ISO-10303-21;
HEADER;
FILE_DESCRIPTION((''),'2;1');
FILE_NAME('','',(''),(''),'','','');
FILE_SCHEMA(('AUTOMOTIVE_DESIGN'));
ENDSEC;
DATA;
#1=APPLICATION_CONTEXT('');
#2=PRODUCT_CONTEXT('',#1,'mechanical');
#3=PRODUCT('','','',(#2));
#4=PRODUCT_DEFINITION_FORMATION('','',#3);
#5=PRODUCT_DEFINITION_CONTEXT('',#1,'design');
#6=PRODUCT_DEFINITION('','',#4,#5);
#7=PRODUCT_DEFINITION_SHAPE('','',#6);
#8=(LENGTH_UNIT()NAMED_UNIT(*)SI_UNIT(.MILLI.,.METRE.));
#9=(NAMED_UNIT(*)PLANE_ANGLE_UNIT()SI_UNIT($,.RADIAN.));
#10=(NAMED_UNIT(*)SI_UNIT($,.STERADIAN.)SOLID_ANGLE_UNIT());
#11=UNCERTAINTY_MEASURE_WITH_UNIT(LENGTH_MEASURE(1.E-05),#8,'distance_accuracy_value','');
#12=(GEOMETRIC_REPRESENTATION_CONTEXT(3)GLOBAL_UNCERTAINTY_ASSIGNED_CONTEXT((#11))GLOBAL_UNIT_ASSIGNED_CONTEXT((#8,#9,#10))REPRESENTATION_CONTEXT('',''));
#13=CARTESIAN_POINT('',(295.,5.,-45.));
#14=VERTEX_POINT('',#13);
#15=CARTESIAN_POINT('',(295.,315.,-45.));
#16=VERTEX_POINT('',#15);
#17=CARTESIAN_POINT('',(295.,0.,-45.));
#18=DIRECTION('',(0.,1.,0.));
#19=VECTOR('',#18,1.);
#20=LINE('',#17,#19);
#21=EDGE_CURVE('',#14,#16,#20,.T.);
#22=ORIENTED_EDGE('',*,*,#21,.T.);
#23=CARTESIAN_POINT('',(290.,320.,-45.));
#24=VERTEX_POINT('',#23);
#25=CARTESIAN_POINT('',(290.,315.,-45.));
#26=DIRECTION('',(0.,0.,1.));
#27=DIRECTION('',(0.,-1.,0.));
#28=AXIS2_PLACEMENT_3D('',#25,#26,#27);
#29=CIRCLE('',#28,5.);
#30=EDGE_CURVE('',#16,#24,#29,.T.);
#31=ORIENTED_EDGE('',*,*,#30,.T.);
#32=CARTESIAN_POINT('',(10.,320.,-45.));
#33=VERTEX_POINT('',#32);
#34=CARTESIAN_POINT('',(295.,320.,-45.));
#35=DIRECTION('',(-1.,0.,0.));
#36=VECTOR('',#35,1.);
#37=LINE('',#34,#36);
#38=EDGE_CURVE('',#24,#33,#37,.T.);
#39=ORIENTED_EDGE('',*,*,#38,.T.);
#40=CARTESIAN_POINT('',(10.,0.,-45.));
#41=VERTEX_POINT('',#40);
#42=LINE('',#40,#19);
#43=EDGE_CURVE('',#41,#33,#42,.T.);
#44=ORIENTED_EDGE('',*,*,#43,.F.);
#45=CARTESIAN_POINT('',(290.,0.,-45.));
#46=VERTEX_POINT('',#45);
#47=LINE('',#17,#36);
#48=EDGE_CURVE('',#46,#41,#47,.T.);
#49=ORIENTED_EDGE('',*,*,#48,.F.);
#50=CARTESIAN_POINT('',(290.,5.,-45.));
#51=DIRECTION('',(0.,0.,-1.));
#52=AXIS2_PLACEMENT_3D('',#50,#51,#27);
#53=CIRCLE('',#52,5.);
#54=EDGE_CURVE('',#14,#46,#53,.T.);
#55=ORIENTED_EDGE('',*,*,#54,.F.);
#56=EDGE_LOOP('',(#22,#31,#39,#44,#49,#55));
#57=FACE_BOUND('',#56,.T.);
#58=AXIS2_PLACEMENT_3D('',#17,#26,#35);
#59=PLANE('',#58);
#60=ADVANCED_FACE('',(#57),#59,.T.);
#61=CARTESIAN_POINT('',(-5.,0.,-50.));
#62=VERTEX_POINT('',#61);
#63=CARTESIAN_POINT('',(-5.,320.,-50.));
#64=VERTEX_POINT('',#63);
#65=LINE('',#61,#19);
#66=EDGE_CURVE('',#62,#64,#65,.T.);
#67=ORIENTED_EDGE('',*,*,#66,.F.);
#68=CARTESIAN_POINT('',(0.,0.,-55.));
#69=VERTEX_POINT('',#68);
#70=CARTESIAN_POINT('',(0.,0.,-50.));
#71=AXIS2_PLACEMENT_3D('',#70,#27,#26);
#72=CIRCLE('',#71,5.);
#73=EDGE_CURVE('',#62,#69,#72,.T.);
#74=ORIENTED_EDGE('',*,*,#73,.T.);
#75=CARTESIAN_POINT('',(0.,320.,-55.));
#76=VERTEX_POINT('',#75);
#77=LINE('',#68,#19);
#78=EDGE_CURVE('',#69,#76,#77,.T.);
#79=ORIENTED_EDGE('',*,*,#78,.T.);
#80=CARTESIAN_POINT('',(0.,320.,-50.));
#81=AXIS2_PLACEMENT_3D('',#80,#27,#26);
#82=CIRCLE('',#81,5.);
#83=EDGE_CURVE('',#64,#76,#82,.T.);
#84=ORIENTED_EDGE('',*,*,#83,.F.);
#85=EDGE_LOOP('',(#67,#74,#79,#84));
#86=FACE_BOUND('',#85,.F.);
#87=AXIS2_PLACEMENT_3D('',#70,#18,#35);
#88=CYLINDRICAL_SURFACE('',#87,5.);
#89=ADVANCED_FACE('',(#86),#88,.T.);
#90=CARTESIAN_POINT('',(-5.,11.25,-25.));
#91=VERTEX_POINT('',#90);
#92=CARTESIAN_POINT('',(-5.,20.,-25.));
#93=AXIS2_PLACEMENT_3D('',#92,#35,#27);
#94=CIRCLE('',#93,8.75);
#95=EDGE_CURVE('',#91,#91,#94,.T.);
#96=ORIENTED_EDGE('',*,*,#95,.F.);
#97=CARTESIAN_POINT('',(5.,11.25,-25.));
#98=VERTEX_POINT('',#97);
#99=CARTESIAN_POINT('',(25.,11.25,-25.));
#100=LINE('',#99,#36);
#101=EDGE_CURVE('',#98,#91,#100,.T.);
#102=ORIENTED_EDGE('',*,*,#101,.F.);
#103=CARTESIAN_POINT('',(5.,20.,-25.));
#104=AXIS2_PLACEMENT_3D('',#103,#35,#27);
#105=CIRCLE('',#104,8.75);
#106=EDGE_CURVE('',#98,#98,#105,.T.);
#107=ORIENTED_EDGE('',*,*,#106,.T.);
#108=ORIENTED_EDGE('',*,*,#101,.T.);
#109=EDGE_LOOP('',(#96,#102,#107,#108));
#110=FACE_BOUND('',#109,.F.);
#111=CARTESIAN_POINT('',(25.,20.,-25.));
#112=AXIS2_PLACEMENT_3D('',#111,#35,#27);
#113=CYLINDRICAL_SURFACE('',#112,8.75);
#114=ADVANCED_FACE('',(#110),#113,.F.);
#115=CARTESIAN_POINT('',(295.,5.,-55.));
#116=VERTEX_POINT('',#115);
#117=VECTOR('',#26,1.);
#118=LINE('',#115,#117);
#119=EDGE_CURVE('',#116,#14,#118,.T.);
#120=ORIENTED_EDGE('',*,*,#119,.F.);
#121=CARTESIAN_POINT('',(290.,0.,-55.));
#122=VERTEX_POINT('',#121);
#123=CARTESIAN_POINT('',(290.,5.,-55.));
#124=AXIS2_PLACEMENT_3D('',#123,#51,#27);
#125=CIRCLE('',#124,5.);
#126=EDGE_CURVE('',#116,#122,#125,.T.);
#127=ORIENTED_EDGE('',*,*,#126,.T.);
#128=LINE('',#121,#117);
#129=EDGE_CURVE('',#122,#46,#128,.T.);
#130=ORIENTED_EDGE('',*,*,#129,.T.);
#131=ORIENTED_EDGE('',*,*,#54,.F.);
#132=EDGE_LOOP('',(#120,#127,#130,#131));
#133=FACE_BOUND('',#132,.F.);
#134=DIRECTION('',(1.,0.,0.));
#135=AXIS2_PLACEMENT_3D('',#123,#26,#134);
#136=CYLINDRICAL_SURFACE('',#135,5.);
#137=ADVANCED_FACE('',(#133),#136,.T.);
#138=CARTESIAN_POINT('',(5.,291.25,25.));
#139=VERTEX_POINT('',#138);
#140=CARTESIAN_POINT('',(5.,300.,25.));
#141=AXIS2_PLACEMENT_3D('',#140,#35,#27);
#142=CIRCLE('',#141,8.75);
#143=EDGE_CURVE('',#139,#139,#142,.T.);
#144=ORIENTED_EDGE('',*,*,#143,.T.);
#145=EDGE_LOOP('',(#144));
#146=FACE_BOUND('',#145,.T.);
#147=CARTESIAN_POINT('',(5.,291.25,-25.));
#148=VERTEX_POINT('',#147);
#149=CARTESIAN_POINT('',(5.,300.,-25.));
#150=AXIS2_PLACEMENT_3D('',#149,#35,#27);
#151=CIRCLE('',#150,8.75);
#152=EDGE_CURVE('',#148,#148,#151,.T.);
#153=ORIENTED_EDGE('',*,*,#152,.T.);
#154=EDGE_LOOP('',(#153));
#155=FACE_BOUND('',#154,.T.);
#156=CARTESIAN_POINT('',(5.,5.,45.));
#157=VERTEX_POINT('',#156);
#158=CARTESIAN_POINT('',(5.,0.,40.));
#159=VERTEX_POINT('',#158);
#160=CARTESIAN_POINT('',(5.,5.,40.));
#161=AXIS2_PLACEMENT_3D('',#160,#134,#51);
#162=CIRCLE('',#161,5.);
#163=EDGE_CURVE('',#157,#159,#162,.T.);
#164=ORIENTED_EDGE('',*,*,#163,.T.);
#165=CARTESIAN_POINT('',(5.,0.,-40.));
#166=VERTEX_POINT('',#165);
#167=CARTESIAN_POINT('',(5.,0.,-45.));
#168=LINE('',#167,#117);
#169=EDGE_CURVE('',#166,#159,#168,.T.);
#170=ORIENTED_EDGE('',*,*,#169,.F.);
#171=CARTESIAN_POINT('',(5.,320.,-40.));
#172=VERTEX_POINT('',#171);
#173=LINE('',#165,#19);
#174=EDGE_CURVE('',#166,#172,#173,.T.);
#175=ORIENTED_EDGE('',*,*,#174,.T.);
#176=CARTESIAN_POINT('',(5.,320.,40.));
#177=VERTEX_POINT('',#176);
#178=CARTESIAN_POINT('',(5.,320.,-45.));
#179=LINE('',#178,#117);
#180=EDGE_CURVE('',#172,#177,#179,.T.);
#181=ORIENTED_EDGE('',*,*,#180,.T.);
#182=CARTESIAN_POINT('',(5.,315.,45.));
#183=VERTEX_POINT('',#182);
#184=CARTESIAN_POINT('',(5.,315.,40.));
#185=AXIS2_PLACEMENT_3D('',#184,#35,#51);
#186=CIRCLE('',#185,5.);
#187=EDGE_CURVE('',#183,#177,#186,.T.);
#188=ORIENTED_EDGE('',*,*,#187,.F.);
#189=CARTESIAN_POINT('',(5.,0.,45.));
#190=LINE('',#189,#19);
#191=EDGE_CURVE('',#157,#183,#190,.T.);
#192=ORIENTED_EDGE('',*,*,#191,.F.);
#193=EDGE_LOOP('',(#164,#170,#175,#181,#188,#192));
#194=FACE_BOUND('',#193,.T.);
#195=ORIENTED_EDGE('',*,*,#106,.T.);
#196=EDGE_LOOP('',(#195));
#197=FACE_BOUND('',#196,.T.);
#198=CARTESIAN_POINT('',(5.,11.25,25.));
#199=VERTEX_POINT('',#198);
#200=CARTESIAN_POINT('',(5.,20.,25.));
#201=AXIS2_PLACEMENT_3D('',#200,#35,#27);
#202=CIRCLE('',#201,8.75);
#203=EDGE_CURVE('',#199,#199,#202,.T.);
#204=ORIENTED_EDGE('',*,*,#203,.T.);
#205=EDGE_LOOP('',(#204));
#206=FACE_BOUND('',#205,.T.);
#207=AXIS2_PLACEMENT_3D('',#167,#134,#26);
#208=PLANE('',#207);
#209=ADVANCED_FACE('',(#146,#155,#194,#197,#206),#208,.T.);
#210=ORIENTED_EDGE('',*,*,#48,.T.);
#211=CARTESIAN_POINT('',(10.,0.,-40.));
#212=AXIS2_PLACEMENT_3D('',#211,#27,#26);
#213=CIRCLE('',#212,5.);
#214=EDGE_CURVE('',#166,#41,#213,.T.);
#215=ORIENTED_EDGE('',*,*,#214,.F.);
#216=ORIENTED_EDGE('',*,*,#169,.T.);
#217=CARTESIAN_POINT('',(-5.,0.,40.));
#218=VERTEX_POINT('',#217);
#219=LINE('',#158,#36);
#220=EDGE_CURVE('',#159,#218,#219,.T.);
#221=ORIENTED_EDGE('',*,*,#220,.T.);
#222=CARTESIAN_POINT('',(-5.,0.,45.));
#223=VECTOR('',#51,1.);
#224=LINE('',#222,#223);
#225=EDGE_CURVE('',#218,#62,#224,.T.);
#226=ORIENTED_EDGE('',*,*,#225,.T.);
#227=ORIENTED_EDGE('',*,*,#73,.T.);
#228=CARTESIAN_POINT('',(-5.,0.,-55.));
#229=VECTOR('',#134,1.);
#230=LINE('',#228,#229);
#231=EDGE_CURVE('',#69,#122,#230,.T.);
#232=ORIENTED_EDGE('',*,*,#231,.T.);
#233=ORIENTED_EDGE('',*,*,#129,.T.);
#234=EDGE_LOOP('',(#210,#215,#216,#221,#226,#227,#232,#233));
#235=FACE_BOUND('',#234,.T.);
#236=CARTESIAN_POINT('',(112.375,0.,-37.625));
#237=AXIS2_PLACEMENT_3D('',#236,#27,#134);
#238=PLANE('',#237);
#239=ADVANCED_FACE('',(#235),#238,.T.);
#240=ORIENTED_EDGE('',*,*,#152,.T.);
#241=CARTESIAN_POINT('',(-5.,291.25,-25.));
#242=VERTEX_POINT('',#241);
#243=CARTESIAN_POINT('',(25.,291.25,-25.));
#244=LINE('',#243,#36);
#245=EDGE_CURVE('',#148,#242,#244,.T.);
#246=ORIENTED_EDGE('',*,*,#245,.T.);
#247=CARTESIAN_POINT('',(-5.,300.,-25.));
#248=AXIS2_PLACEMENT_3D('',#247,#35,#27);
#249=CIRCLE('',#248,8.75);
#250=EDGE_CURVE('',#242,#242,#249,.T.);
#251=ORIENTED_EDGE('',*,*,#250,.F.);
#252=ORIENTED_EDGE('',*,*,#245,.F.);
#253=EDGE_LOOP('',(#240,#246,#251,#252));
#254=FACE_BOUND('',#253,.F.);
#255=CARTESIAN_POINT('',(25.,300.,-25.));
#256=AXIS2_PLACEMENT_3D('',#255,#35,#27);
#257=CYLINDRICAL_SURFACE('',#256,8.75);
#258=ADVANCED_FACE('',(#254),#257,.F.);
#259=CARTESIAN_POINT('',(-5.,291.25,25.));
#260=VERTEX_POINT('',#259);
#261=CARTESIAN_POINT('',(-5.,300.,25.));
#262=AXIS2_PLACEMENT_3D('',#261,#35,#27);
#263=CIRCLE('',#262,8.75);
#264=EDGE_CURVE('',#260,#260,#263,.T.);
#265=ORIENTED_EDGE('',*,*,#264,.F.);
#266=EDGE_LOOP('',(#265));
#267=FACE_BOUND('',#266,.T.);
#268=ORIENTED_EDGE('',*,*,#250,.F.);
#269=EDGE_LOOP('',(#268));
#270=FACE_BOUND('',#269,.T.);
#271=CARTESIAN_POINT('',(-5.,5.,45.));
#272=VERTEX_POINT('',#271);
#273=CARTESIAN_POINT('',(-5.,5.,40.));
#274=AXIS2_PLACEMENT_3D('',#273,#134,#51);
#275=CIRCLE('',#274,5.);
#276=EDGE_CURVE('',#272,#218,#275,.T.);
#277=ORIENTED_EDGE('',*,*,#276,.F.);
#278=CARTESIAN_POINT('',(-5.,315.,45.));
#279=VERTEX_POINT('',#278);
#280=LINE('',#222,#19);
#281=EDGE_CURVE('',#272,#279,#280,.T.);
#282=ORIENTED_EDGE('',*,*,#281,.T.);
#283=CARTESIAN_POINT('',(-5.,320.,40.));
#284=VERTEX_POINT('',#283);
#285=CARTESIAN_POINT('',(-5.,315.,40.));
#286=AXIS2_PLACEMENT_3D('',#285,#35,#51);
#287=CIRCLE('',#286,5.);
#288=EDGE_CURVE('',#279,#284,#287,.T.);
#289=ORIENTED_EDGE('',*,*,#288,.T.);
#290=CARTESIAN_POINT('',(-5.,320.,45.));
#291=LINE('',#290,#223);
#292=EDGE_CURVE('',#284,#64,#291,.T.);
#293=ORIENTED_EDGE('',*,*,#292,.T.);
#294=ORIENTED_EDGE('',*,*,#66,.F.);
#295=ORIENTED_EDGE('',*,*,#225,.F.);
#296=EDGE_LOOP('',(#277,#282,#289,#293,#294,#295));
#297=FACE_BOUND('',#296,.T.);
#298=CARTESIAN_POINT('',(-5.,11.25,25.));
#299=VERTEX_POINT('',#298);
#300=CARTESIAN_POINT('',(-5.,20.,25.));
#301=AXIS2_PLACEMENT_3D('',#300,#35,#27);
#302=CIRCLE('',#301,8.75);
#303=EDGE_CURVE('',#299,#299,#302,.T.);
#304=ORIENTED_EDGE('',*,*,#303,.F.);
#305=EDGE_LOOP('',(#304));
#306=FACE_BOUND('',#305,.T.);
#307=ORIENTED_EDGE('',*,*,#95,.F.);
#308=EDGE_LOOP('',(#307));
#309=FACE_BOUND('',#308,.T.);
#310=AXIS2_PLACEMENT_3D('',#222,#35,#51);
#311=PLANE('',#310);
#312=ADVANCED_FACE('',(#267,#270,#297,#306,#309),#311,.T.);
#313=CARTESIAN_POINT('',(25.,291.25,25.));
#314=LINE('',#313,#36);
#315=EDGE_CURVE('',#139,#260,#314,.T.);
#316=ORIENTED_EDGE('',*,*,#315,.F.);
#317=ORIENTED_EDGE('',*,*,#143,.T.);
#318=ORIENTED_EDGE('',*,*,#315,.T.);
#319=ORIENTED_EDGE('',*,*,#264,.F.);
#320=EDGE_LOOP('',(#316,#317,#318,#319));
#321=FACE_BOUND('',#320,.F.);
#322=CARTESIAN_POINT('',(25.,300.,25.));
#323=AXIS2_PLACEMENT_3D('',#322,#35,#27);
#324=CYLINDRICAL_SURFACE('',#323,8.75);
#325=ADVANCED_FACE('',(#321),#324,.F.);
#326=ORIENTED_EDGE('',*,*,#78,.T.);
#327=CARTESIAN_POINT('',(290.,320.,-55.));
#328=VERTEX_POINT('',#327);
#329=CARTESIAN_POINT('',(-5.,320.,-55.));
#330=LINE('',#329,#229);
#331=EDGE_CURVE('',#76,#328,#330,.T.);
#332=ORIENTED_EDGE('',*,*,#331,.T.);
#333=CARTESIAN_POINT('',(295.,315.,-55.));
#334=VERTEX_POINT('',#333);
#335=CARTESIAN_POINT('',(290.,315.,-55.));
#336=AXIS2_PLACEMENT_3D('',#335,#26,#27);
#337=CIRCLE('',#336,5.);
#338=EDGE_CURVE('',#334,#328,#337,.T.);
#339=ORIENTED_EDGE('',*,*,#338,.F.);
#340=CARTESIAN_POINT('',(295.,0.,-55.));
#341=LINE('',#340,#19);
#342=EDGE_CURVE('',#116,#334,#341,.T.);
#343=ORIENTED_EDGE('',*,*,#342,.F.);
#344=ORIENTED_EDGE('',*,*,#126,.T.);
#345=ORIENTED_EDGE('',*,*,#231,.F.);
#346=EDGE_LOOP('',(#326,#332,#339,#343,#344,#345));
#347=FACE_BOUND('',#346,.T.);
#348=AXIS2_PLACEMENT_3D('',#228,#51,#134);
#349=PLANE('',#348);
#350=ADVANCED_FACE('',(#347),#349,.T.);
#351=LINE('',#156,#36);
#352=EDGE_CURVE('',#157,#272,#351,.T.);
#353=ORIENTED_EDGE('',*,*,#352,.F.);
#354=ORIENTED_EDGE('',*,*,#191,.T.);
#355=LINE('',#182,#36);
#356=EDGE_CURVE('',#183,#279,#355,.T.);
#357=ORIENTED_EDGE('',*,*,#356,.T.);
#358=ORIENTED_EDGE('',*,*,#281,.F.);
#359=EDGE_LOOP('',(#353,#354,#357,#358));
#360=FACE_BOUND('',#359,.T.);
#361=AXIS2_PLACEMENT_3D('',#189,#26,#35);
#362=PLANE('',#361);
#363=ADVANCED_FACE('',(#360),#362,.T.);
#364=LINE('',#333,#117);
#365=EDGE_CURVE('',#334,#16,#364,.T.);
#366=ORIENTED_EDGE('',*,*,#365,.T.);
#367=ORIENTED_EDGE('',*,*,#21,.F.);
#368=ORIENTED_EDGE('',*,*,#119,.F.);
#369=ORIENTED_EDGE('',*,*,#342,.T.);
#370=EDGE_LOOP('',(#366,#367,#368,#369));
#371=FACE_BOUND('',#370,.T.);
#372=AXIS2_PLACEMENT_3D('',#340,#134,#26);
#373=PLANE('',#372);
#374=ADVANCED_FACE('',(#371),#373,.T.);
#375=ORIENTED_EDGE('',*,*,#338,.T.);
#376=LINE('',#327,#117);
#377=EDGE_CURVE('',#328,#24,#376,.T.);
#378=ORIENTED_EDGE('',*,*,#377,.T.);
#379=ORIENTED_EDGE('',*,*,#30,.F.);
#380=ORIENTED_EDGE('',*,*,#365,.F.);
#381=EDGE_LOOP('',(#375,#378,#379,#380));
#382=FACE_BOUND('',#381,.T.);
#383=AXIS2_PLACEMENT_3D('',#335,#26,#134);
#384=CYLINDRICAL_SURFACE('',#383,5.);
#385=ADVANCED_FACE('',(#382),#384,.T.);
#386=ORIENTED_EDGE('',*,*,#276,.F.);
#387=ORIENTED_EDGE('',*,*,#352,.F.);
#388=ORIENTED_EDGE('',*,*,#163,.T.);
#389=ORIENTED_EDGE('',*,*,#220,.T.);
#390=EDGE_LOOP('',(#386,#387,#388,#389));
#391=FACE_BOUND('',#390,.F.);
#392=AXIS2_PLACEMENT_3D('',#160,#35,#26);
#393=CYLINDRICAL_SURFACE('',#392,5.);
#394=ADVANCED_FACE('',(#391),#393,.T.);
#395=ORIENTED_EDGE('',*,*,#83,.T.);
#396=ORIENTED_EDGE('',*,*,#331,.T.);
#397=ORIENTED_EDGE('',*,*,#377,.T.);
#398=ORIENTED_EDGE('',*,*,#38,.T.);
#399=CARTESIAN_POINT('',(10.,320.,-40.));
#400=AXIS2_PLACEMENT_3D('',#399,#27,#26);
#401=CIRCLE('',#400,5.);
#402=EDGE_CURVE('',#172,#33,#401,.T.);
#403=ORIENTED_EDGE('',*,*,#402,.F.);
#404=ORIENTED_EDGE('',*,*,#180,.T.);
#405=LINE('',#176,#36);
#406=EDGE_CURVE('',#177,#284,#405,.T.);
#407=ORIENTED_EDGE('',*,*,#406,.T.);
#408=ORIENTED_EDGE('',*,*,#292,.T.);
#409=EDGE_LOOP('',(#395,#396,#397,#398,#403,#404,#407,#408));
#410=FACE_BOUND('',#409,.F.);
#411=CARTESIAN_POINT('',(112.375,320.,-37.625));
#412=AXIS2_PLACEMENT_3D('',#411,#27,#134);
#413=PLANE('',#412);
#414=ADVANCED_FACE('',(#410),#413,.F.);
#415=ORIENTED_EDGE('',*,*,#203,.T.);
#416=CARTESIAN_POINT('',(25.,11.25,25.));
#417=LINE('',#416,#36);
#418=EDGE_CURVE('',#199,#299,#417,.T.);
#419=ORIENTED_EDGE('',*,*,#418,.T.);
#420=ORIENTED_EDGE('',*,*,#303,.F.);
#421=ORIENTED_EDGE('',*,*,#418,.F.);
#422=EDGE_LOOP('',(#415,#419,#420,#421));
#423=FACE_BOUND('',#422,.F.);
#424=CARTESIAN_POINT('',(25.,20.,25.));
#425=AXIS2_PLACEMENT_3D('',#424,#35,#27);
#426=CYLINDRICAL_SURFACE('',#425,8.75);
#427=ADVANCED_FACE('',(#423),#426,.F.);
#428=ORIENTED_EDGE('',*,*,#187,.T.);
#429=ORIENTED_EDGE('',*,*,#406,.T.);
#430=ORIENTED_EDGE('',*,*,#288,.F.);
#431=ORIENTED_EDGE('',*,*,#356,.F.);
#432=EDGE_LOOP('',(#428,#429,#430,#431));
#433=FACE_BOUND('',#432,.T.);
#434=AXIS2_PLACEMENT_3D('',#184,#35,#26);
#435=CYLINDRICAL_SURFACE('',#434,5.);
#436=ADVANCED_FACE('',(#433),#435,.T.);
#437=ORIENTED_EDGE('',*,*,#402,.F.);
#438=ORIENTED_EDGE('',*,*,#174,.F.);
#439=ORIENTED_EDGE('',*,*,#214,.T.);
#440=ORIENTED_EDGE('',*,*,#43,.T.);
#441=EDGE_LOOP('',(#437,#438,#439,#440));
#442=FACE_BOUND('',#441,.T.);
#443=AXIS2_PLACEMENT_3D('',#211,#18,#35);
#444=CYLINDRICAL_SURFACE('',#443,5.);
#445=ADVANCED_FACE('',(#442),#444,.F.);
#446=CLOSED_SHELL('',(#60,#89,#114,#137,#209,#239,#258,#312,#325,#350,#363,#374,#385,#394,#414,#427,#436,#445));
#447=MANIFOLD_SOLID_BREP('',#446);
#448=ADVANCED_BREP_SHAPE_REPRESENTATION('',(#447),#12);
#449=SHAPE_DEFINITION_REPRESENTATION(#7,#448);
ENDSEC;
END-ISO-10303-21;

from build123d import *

# Parameters (mm, degrees)
F1_DEPTH = 320
F2_R     = 5
F4_D     = 17.5
F4_DEPTH = 20
F4_TIP   = 5.2575304165
F5_R     = 5
F6_R     = 5


with BuildPart() as f1:
    # F0 (on Front) → F1 (new body)
    with BuildSketch(Plane.XZ):
        Polygon((5, -45), (5, 45), (-5, 45), (-5, -45), (-5, -55), (295, -55), (295, -45), align=None)
    extrude(amount=-F1_DEPTH)

    # F2
    f2_edges = [f1.edges().sort_by_distance(p)[0] for p in [
        (0, 0, 45),
        (0, 320, 45),
        (295, 320, -50),
        (295, 0, -50),
    ]]
    fillet(f2_edges, radius=F2_R)

    # F4
    with Locations(Plane.YZ.offset(5)):
        with Locations((20, -25), (20, 25), (300, 25), (300, -25)):
            Hole(F4_D / 2, depth=F4_DEPTH)
            with Locations((0, 0, -(F4_DEPTH + F4_TIP / 2))):  # 118° drill point
                Cone(0, F4_D / 2, F4_TIP, mode=Mode.SUBTRACT)

    # F5
    f5_edges = [f1.edges().sort_by_distance(p)[0] for p in [
        (-5, 160, -55),
    ]]
    fillet(f5_edges, radius=F5_R)

    # F6
    f6_edges = [f1.edges().sort_by_distance(p)[0] for p in [
        (5, 160, -45),
    ]]
    fillet(f6_edges, radius=F6_R)


solid = f1.part
